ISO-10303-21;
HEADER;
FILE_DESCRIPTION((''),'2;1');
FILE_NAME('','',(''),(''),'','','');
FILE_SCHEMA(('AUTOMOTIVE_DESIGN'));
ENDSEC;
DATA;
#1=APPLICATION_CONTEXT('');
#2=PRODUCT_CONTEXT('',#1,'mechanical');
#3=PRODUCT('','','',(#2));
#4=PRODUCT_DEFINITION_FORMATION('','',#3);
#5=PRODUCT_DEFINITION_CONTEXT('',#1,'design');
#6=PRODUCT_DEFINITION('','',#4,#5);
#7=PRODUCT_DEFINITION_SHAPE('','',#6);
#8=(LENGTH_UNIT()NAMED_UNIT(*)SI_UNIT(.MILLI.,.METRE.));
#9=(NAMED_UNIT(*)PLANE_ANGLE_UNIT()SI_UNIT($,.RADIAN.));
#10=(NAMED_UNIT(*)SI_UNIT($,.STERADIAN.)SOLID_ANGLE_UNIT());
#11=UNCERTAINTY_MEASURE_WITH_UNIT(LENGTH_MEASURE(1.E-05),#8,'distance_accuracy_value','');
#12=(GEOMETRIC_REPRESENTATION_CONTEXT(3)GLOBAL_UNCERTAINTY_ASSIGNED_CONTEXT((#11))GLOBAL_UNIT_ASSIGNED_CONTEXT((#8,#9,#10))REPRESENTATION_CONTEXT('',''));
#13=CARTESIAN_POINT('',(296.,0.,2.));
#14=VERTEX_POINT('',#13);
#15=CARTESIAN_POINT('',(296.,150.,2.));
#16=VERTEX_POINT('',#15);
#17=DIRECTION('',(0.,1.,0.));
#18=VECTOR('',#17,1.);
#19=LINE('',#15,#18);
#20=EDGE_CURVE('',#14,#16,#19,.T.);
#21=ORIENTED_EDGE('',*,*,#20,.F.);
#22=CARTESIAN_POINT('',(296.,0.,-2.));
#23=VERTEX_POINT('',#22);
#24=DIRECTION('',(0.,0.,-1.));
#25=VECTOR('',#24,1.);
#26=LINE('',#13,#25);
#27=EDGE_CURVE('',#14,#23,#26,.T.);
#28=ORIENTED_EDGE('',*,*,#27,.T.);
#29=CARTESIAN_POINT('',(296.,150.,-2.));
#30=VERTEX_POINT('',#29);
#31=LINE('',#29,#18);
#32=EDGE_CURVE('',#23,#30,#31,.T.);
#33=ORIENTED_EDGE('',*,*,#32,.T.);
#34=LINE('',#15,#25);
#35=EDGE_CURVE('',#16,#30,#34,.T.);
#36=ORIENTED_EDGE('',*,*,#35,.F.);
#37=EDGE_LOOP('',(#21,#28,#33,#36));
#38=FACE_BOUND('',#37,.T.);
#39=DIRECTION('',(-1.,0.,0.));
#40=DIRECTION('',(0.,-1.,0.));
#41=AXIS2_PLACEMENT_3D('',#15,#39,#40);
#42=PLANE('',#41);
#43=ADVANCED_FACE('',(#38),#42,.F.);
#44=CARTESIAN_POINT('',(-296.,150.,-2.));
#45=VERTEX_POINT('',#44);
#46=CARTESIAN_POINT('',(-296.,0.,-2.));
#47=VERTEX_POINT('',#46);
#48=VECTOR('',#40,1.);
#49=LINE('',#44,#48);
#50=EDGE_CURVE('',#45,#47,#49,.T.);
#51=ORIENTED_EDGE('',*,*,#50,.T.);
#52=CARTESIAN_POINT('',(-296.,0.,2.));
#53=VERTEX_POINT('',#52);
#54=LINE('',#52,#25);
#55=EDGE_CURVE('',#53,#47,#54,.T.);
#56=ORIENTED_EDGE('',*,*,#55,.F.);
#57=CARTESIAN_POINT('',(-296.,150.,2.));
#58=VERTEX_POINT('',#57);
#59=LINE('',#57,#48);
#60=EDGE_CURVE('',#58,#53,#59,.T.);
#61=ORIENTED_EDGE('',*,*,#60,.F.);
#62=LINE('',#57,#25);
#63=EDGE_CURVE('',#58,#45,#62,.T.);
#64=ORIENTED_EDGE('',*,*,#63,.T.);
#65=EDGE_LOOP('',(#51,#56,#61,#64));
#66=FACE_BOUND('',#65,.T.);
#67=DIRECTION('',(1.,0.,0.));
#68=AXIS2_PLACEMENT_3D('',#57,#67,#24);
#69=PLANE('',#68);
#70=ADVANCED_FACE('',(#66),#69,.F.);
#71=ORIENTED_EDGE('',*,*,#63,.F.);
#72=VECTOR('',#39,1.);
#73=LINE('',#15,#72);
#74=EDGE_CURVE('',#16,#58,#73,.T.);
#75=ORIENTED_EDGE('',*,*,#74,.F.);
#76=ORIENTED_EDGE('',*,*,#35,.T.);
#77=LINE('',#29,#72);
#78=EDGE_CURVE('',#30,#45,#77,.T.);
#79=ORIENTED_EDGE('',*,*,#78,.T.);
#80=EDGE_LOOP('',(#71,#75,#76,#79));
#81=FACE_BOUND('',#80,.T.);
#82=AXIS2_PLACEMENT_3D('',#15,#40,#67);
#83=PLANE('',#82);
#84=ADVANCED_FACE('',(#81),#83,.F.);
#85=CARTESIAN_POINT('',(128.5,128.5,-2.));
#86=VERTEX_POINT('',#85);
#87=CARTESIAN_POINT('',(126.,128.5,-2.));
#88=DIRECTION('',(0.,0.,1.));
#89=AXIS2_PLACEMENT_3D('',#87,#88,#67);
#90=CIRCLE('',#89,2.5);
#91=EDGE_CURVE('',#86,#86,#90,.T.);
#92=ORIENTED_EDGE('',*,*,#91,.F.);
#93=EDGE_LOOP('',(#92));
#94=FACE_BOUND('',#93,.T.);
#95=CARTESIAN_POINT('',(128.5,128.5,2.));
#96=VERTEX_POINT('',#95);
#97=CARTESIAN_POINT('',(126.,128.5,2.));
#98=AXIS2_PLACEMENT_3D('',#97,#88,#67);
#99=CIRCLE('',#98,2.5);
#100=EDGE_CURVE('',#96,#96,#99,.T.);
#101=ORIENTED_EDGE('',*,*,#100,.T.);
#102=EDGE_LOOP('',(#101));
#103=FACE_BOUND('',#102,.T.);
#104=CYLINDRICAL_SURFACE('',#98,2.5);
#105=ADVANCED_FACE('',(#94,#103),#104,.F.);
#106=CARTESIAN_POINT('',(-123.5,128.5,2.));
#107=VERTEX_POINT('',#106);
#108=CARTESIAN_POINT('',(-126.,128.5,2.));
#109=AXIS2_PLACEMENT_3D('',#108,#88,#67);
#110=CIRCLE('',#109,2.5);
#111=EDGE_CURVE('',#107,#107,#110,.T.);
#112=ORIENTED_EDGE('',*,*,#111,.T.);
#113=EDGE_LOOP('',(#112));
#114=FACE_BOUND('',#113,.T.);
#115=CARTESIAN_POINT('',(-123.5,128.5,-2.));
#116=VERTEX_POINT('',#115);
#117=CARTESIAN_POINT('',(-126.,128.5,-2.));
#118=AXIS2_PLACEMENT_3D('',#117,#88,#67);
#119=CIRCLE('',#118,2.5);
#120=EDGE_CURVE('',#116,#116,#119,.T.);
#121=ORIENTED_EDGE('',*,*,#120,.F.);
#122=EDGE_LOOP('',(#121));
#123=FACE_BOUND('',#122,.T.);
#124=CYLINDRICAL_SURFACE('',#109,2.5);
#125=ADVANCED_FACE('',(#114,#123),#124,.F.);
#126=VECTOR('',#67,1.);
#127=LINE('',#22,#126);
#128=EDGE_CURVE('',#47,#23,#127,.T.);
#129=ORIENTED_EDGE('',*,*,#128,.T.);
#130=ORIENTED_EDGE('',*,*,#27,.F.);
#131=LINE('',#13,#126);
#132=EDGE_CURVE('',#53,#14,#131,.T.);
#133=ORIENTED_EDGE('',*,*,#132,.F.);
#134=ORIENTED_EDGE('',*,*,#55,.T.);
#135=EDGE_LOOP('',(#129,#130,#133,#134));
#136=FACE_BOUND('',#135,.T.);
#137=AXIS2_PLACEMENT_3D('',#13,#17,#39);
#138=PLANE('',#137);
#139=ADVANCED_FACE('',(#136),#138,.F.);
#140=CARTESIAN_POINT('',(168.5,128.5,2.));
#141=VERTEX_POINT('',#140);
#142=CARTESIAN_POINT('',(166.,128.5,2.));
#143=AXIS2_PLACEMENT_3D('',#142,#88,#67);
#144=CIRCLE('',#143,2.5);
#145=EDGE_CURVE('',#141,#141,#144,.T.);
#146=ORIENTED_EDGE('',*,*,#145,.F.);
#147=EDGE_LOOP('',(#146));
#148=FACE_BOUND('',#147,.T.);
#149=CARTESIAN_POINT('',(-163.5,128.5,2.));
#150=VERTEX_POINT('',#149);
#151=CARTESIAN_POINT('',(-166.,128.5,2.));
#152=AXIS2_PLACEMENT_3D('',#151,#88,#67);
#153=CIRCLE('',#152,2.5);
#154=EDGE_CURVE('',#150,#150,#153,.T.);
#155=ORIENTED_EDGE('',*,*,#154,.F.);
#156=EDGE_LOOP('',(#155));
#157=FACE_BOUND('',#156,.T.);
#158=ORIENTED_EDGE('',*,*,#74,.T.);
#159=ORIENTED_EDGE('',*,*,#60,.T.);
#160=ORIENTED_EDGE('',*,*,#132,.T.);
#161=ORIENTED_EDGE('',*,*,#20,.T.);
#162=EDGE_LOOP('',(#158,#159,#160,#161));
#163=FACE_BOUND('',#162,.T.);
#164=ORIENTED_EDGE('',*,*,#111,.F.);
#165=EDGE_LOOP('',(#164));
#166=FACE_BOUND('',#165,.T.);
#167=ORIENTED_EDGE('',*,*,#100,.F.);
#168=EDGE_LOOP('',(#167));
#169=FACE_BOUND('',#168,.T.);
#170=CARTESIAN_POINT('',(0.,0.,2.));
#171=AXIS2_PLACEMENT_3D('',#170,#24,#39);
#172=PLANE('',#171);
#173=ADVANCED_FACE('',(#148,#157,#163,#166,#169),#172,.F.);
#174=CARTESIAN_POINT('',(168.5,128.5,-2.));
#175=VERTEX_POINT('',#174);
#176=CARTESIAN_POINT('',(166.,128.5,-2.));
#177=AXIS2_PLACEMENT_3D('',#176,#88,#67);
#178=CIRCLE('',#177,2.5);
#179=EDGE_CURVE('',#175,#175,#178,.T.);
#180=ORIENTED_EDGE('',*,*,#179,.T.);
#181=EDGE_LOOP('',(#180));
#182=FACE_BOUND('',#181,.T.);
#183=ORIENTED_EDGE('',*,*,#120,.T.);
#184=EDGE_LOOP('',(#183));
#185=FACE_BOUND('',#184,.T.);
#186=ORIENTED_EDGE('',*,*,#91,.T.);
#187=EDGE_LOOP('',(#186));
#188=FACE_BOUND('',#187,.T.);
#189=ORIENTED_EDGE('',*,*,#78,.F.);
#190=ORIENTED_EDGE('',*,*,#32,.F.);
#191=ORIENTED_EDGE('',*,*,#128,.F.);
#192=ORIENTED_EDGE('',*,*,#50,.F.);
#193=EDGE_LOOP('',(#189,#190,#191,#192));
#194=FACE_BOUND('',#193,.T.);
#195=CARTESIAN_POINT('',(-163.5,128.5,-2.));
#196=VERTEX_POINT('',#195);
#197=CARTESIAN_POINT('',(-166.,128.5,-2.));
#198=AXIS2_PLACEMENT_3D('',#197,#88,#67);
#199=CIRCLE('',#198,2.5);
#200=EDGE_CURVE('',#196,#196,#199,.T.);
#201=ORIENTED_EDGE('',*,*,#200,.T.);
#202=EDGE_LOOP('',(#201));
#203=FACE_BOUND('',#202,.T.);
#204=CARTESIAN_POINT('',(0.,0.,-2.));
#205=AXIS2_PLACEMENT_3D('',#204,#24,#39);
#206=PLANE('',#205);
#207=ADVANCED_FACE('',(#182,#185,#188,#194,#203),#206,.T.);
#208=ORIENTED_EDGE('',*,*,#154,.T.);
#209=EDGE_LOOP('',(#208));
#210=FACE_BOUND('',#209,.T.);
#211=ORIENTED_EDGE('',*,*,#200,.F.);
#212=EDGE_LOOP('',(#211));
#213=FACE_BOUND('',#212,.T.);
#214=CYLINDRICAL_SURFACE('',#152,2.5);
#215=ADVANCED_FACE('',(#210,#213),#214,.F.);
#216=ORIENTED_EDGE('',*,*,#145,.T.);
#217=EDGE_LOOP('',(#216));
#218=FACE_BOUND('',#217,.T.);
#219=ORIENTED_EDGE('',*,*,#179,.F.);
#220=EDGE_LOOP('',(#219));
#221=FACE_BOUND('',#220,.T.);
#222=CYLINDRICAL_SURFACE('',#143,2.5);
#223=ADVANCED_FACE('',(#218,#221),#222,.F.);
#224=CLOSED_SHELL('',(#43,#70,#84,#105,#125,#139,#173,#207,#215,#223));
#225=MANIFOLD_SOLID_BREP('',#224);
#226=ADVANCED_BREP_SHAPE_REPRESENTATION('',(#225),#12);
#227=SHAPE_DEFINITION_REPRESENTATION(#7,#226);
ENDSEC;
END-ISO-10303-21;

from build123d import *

# Parameters (mm, degrees)
SKETCH1_W               = 592
SKETCH1_H               = 150
BOSS_EXTRUDE1_DEPTH     = 2
TAP_DRILL_FOR_M6_TAP1_D = 5


with BuildPart() as part:
    # Sketch1 → Boss-Extrude1 (new, symmetric)
    with BuildSketch(Plane.XY):
        with Locations((0, 75)):
            Rectangle(SKETCH1_W, SKETCH1_H)
    extrude(amount=BOSS_EXTRUDE1_DEPTH, both=True)

    # Tap Drill for M6 Tap1 (through all)
    with Locations(Plane.XY.offset(2)):
        with Locations((-166, 128.5), (-126, 128.5), (126, 128.5), (166, 128.5)):
            Hole(TAP_DRILL_FOR_M6_TAP1_D / 2)


solid = part.part
